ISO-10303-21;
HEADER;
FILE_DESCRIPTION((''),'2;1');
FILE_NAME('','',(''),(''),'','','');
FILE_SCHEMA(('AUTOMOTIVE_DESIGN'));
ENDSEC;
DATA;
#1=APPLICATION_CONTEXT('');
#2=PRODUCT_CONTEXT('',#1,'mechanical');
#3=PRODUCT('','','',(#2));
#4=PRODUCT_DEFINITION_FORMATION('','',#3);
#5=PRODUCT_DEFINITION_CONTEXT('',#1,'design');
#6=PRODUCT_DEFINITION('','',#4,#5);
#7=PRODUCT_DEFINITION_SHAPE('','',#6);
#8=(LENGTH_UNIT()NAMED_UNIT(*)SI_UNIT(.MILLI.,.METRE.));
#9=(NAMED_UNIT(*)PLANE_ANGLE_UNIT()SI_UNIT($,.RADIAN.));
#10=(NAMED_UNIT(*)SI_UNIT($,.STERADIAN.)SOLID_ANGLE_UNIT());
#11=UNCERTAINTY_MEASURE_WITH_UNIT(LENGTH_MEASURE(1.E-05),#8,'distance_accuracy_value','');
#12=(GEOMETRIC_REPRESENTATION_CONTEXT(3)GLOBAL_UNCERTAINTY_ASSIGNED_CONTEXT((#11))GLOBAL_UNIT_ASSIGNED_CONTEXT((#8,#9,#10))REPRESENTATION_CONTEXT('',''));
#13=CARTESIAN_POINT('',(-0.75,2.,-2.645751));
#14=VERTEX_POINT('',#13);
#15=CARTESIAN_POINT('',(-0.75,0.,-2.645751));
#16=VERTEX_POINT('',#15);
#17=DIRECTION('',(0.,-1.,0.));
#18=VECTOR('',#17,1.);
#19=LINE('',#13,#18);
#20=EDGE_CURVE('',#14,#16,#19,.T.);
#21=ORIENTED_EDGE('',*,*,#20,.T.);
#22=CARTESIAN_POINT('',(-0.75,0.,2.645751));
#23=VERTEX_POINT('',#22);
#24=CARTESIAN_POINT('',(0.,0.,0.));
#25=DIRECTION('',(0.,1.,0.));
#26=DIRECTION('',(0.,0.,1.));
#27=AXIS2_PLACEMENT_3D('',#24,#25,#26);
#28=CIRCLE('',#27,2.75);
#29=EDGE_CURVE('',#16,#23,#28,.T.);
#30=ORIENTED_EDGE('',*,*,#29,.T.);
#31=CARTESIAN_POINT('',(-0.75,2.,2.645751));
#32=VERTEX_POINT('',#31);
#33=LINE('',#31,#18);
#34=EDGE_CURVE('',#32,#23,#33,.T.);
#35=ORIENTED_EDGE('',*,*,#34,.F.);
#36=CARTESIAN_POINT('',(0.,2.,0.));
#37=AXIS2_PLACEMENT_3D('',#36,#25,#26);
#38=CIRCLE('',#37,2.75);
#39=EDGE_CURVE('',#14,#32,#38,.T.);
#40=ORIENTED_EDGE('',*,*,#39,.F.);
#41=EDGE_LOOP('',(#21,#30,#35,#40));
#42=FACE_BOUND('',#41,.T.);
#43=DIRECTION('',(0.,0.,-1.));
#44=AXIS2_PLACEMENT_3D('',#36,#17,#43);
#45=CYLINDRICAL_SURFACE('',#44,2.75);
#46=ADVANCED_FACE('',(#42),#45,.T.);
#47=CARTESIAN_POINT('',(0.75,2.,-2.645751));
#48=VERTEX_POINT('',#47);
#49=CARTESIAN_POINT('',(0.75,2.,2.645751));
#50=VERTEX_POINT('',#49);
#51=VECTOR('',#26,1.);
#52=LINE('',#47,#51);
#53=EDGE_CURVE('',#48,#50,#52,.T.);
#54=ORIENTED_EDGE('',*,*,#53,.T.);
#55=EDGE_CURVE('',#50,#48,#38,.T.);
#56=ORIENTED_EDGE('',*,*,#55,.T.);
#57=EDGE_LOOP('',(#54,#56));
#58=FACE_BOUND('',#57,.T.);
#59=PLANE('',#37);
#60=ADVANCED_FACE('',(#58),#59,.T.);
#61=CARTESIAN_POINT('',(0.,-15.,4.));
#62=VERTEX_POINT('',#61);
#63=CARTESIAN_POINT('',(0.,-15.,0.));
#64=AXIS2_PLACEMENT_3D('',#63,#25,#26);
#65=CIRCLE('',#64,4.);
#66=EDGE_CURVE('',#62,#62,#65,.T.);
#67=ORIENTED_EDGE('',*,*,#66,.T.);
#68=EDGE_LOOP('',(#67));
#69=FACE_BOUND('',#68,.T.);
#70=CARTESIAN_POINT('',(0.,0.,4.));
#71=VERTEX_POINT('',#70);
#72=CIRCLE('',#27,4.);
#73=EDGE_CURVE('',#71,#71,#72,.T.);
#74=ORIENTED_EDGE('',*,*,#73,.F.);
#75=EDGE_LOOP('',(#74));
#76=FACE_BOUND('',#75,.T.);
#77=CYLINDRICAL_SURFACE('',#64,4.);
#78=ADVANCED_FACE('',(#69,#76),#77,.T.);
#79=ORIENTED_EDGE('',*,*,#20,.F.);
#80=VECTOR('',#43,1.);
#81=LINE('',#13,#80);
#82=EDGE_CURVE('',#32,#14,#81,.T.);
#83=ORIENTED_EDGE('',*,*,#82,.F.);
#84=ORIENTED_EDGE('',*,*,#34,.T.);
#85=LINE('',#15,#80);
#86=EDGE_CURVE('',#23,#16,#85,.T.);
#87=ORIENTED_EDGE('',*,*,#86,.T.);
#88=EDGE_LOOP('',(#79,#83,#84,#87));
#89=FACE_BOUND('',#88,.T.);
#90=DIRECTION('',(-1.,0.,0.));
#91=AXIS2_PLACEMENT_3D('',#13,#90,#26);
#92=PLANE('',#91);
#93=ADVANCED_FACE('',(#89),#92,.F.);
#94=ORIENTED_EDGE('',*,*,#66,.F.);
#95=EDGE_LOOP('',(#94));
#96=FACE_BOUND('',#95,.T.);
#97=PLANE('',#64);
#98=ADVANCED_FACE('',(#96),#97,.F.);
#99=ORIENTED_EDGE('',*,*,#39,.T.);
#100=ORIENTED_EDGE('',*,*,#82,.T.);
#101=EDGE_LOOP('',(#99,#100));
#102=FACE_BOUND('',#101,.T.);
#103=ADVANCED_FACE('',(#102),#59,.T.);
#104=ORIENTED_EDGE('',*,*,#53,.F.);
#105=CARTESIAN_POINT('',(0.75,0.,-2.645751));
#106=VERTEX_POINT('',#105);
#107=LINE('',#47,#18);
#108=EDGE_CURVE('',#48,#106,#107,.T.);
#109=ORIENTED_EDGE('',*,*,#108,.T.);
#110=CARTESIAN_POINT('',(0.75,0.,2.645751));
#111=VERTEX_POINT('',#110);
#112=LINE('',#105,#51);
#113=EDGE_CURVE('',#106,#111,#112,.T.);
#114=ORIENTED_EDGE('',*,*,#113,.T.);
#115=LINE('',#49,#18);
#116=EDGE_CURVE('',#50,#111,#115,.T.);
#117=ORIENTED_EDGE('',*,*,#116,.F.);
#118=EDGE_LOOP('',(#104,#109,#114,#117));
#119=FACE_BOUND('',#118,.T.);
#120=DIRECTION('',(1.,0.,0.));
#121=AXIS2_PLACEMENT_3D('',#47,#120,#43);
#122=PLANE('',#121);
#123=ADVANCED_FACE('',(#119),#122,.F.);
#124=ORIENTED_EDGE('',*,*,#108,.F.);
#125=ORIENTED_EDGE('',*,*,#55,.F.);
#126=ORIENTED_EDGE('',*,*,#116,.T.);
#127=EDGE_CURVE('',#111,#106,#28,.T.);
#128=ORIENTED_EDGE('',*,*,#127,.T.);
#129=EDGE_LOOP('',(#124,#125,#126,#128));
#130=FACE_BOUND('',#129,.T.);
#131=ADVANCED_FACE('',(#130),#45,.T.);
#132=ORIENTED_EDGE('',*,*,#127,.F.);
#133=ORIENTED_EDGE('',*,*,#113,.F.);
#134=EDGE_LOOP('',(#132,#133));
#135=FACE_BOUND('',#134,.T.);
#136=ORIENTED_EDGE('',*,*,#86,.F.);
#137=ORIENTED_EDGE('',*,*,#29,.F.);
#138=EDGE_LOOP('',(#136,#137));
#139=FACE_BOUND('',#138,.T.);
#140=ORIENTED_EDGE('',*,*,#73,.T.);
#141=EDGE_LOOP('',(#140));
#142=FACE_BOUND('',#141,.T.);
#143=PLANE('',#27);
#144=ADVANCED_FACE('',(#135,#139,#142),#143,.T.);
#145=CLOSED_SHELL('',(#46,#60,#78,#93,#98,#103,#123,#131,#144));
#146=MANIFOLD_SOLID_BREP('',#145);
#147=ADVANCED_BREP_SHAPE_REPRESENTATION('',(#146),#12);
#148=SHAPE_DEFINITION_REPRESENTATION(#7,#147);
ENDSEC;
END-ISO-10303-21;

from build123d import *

# Parameters (mm, degrees)
SKETCH2_R           = 4
BOSS_EXTRUDE1_DEPTH = 15
BOSS_EXTRUDE2_DEPTH = 2


with BuildPart() as part:
    # Sketch2 → Boss-Extrude1 (new body)
    with BuildSketch(Plane(origin=(0, 0, 0), x_dir=(1, 0, 0), z_dir=(0, 1, 0))):
        with Locations(Location((0, 0, 0), (0, 0, 270))):
            Circle(SKETCH2_R)
    extrude(amount=-BOSS_EXTRUDE1_DEPTH)

    # Sketch3 → Boss-Extrude2 (add)
    with BuildSketch(Plane(origin=(0, 0, 0), x_dir=(1, 0, 0), z_dir=(0, 1, 0))):
        with BuildLine():
            Line((-0.75, 2.645751311), (-0.75, -2.645751311))
            ThreePointArc((-0.75, -2.645751311), (-2.75, 0), (-0.75, 2.645751311))
        make_face()
        with BuildLine():
            Line((0.75, 2.645751311), (0.75, -2.645751311))
            ThreePointArc((0.75, -2.645751311), (2.75, 0), (0.75, 2.645751311))
        make_face()
    extrude(amount=BOSS_EXTRUDE2_DEPTH)


solid = part.part
